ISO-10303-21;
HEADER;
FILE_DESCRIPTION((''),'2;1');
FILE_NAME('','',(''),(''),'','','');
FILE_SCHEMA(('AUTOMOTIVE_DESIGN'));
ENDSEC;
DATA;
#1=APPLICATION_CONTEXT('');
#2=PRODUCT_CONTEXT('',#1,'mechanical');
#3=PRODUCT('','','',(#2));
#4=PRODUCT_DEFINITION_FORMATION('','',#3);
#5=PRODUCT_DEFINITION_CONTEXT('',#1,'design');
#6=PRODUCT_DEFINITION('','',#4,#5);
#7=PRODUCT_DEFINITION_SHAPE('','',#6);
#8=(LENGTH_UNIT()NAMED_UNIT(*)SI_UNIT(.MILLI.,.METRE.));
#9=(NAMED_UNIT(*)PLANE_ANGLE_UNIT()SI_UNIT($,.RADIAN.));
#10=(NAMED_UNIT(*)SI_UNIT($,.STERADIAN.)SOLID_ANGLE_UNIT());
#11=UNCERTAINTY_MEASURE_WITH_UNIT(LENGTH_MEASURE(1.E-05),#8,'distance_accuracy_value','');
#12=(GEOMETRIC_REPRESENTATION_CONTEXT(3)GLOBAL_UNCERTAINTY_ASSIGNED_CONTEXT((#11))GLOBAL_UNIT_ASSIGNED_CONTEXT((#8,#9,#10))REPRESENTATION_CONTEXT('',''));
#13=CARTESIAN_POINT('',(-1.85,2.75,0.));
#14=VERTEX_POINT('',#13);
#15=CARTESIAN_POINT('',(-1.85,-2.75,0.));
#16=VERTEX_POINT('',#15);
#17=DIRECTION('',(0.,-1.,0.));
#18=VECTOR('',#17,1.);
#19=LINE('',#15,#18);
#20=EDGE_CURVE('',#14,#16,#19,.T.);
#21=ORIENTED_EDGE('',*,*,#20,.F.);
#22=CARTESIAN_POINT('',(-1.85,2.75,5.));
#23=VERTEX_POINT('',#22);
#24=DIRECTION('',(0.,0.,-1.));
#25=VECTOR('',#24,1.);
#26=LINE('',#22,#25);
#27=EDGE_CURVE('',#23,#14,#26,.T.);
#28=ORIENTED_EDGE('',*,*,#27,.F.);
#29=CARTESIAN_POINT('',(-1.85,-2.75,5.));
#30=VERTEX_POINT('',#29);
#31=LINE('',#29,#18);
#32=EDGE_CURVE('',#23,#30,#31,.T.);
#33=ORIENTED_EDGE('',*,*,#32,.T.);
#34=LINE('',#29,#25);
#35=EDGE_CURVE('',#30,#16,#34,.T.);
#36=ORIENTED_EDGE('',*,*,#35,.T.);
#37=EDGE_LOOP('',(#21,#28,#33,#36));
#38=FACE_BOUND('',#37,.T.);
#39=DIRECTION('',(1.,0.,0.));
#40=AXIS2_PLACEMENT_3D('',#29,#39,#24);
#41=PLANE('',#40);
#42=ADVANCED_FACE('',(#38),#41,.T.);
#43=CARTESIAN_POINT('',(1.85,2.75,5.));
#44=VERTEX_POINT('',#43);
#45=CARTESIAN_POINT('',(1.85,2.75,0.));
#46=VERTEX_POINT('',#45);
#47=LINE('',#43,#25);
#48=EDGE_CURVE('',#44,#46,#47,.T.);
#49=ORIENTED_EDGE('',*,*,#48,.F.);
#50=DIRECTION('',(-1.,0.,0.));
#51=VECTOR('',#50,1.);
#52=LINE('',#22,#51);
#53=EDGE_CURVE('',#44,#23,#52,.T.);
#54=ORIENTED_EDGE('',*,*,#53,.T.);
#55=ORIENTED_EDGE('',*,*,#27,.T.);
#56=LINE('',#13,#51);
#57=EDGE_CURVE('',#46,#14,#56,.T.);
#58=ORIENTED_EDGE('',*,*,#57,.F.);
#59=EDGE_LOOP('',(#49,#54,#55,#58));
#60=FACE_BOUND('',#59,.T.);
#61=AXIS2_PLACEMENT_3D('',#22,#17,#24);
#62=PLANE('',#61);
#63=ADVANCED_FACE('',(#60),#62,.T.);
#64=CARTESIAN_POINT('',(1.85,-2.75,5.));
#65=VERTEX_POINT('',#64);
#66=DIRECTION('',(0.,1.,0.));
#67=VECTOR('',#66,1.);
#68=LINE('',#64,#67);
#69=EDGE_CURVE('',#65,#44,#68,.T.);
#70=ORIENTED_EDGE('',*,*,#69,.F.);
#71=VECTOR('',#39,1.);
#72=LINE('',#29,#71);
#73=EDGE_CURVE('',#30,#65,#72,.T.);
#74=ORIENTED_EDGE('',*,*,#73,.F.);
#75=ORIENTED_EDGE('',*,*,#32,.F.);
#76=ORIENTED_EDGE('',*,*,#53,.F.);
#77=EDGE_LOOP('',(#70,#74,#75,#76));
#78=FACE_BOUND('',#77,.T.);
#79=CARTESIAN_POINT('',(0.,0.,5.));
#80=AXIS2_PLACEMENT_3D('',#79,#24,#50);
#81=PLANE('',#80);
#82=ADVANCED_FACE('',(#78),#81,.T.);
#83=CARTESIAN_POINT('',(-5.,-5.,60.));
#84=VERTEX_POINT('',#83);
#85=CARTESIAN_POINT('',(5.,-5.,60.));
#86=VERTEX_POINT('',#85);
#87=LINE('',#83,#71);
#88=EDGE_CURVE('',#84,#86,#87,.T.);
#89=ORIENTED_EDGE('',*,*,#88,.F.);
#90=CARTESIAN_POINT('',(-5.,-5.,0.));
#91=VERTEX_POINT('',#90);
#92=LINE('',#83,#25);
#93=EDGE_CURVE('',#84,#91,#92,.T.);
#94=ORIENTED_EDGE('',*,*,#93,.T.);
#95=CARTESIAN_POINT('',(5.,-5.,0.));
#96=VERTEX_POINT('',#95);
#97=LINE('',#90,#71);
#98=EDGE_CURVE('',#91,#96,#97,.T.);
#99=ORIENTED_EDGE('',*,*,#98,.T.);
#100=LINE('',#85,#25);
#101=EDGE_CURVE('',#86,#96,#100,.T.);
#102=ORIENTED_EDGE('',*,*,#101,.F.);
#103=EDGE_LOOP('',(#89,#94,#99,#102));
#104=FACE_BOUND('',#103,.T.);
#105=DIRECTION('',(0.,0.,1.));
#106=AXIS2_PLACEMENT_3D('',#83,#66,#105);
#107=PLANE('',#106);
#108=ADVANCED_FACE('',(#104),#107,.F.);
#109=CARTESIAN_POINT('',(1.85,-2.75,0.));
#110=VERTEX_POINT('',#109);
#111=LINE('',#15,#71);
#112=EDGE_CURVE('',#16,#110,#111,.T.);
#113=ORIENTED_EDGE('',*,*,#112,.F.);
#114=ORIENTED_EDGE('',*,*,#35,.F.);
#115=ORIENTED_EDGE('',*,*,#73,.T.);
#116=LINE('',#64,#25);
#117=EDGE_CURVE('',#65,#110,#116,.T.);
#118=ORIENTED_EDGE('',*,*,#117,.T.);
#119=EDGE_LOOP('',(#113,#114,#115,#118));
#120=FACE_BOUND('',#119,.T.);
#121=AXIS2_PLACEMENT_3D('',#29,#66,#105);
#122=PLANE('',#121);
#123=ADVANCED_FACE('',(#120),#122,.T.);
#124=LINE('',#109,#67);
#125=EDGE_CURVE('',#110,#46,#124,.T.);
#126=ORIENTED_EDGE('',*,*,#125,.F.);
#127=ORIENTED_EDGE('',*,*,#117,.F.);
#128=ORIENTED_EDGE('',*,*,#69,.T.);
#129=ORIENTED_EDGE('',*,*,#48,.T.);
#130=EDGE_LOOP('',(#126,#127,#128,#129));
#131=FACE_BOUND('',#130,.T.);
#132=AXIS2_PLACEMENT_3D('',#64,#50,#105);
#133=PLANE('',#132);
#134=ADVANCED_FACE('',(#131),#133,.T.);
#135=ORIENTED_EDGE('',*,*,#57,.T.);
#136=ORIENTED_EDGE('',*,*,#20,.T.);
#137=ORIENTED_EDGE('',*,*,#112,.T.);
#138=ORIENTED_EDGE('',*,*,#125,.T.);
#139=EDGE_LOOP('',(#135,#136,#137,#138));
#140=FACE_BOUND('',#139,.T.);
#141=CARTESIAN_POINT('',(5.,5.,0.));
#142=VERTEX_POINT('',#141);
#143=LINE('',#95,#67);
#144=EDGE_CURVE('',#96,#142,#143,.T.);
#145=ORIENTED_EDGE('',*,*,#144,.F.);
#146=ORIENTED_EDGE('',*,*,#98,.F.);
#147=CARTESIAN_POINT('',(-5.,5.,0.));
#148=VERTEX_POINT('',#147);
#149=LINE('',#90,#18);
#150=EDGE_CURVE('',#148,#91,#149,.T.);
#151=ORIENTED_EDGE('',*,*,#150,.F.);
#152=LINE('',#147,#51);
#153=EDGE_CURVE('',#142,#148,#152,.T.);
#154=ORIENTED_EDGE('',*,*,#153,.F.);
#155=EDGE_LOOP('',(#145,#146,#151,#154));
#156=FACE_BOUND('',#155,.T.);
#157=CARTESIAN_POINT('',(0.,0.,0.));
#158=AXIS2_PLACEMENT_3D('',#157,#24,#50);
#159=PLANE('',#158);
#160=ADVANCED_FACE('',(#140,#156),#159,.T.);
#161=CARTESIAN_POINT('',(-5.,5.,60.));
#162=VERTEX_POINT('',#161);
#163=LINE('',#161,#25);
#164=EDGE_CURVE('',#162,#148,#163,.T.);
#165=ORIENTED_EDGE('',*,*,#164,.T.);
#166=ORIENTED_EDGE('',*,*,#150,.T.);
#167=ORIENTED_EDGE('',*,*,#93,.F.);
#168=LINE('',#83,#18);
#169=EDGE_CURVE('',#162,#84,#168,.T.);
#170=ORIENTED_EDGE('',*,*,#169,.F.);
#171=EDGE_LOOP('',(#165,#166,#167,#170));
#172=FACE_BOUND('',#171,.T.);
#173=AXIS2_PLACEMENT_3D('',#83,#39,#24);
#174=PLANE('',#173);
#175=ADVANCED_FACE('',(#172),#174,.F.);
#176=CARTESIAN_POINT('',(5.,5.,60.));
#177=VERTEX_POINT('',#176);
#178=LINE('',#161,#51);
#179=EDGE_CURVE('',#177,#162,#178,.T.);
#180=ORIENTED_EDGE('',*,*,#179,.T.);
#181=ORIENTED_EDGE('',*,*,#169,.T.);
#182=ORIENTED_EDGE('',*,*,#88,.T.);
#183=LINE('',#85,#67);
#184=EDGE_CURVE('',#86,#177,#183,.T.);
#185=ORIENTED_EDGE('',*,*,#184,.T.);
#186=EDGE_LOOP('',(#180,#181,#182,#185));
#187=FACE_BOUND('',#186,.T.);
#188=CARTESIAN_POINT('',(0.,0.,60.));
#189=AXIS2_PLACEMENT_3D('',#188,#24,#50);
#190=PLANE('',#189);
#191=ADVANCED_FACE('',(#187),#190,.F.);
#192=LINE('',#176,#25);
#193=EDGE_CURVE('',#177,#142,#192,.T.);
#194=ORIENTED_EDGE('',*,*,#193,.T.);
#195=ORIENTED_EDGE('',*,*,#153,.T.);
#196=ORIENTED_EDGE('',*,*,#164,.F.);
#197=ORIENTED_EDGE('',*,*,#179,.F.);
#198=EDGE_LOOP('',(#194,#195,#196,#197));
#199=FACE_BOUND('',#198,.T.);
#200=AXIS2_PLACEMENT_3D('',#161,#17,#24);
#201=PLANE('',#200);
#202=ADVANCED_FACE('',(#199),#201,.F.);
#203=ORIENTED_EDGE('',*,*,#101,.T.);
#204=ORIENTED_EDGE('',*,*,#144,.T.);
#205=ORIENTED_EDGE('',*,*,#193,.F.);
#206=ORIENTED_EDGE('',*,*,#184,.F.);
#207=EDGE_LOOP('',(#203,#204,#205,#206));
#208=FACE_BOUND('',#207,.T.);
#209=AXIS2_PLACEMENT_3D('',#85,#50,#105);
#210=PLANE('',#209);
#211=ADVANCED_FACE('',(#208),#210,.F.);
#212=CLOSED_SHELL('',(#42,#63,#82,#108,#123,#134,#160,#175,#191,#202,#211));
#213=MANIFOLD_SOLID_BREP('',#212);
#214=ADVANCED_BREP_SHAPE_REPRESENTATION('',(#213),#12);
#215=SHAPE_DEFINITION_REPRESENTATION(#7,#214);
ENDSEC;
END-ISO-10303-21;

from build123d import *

# Parameters (mm, degrees)
SKETCH1_W           = 10
SKETCH1_H           = 10
BOSS_EXTRUDE1_DEPTH = 60
SKETCH3_W           = 3.7
SKETCH3_H           = 5.5
CUT_EXTRUDE1_DEPTH  = 5


with BuildPart() as part:
    # Sketch1 → Boss-Extrude1 (new body)
    with BuildSketch(Plane.XY):
        Rectangle(SKETCH1_W, SKETCH1_H)
    extrude(amount=BOSS_EXTRUDE1_DEPTH)

    # Sketch3 → Cut-Extrude1 (cut)
    with BuildSketch(Plane.XY):
        Rectangle(SKETCH3_W, SKETCH3_H)
    extrude(amount=CUT_EXTRUDE1_DEPTH, mode=Mode.SUBTRACT)


solid = part.part
